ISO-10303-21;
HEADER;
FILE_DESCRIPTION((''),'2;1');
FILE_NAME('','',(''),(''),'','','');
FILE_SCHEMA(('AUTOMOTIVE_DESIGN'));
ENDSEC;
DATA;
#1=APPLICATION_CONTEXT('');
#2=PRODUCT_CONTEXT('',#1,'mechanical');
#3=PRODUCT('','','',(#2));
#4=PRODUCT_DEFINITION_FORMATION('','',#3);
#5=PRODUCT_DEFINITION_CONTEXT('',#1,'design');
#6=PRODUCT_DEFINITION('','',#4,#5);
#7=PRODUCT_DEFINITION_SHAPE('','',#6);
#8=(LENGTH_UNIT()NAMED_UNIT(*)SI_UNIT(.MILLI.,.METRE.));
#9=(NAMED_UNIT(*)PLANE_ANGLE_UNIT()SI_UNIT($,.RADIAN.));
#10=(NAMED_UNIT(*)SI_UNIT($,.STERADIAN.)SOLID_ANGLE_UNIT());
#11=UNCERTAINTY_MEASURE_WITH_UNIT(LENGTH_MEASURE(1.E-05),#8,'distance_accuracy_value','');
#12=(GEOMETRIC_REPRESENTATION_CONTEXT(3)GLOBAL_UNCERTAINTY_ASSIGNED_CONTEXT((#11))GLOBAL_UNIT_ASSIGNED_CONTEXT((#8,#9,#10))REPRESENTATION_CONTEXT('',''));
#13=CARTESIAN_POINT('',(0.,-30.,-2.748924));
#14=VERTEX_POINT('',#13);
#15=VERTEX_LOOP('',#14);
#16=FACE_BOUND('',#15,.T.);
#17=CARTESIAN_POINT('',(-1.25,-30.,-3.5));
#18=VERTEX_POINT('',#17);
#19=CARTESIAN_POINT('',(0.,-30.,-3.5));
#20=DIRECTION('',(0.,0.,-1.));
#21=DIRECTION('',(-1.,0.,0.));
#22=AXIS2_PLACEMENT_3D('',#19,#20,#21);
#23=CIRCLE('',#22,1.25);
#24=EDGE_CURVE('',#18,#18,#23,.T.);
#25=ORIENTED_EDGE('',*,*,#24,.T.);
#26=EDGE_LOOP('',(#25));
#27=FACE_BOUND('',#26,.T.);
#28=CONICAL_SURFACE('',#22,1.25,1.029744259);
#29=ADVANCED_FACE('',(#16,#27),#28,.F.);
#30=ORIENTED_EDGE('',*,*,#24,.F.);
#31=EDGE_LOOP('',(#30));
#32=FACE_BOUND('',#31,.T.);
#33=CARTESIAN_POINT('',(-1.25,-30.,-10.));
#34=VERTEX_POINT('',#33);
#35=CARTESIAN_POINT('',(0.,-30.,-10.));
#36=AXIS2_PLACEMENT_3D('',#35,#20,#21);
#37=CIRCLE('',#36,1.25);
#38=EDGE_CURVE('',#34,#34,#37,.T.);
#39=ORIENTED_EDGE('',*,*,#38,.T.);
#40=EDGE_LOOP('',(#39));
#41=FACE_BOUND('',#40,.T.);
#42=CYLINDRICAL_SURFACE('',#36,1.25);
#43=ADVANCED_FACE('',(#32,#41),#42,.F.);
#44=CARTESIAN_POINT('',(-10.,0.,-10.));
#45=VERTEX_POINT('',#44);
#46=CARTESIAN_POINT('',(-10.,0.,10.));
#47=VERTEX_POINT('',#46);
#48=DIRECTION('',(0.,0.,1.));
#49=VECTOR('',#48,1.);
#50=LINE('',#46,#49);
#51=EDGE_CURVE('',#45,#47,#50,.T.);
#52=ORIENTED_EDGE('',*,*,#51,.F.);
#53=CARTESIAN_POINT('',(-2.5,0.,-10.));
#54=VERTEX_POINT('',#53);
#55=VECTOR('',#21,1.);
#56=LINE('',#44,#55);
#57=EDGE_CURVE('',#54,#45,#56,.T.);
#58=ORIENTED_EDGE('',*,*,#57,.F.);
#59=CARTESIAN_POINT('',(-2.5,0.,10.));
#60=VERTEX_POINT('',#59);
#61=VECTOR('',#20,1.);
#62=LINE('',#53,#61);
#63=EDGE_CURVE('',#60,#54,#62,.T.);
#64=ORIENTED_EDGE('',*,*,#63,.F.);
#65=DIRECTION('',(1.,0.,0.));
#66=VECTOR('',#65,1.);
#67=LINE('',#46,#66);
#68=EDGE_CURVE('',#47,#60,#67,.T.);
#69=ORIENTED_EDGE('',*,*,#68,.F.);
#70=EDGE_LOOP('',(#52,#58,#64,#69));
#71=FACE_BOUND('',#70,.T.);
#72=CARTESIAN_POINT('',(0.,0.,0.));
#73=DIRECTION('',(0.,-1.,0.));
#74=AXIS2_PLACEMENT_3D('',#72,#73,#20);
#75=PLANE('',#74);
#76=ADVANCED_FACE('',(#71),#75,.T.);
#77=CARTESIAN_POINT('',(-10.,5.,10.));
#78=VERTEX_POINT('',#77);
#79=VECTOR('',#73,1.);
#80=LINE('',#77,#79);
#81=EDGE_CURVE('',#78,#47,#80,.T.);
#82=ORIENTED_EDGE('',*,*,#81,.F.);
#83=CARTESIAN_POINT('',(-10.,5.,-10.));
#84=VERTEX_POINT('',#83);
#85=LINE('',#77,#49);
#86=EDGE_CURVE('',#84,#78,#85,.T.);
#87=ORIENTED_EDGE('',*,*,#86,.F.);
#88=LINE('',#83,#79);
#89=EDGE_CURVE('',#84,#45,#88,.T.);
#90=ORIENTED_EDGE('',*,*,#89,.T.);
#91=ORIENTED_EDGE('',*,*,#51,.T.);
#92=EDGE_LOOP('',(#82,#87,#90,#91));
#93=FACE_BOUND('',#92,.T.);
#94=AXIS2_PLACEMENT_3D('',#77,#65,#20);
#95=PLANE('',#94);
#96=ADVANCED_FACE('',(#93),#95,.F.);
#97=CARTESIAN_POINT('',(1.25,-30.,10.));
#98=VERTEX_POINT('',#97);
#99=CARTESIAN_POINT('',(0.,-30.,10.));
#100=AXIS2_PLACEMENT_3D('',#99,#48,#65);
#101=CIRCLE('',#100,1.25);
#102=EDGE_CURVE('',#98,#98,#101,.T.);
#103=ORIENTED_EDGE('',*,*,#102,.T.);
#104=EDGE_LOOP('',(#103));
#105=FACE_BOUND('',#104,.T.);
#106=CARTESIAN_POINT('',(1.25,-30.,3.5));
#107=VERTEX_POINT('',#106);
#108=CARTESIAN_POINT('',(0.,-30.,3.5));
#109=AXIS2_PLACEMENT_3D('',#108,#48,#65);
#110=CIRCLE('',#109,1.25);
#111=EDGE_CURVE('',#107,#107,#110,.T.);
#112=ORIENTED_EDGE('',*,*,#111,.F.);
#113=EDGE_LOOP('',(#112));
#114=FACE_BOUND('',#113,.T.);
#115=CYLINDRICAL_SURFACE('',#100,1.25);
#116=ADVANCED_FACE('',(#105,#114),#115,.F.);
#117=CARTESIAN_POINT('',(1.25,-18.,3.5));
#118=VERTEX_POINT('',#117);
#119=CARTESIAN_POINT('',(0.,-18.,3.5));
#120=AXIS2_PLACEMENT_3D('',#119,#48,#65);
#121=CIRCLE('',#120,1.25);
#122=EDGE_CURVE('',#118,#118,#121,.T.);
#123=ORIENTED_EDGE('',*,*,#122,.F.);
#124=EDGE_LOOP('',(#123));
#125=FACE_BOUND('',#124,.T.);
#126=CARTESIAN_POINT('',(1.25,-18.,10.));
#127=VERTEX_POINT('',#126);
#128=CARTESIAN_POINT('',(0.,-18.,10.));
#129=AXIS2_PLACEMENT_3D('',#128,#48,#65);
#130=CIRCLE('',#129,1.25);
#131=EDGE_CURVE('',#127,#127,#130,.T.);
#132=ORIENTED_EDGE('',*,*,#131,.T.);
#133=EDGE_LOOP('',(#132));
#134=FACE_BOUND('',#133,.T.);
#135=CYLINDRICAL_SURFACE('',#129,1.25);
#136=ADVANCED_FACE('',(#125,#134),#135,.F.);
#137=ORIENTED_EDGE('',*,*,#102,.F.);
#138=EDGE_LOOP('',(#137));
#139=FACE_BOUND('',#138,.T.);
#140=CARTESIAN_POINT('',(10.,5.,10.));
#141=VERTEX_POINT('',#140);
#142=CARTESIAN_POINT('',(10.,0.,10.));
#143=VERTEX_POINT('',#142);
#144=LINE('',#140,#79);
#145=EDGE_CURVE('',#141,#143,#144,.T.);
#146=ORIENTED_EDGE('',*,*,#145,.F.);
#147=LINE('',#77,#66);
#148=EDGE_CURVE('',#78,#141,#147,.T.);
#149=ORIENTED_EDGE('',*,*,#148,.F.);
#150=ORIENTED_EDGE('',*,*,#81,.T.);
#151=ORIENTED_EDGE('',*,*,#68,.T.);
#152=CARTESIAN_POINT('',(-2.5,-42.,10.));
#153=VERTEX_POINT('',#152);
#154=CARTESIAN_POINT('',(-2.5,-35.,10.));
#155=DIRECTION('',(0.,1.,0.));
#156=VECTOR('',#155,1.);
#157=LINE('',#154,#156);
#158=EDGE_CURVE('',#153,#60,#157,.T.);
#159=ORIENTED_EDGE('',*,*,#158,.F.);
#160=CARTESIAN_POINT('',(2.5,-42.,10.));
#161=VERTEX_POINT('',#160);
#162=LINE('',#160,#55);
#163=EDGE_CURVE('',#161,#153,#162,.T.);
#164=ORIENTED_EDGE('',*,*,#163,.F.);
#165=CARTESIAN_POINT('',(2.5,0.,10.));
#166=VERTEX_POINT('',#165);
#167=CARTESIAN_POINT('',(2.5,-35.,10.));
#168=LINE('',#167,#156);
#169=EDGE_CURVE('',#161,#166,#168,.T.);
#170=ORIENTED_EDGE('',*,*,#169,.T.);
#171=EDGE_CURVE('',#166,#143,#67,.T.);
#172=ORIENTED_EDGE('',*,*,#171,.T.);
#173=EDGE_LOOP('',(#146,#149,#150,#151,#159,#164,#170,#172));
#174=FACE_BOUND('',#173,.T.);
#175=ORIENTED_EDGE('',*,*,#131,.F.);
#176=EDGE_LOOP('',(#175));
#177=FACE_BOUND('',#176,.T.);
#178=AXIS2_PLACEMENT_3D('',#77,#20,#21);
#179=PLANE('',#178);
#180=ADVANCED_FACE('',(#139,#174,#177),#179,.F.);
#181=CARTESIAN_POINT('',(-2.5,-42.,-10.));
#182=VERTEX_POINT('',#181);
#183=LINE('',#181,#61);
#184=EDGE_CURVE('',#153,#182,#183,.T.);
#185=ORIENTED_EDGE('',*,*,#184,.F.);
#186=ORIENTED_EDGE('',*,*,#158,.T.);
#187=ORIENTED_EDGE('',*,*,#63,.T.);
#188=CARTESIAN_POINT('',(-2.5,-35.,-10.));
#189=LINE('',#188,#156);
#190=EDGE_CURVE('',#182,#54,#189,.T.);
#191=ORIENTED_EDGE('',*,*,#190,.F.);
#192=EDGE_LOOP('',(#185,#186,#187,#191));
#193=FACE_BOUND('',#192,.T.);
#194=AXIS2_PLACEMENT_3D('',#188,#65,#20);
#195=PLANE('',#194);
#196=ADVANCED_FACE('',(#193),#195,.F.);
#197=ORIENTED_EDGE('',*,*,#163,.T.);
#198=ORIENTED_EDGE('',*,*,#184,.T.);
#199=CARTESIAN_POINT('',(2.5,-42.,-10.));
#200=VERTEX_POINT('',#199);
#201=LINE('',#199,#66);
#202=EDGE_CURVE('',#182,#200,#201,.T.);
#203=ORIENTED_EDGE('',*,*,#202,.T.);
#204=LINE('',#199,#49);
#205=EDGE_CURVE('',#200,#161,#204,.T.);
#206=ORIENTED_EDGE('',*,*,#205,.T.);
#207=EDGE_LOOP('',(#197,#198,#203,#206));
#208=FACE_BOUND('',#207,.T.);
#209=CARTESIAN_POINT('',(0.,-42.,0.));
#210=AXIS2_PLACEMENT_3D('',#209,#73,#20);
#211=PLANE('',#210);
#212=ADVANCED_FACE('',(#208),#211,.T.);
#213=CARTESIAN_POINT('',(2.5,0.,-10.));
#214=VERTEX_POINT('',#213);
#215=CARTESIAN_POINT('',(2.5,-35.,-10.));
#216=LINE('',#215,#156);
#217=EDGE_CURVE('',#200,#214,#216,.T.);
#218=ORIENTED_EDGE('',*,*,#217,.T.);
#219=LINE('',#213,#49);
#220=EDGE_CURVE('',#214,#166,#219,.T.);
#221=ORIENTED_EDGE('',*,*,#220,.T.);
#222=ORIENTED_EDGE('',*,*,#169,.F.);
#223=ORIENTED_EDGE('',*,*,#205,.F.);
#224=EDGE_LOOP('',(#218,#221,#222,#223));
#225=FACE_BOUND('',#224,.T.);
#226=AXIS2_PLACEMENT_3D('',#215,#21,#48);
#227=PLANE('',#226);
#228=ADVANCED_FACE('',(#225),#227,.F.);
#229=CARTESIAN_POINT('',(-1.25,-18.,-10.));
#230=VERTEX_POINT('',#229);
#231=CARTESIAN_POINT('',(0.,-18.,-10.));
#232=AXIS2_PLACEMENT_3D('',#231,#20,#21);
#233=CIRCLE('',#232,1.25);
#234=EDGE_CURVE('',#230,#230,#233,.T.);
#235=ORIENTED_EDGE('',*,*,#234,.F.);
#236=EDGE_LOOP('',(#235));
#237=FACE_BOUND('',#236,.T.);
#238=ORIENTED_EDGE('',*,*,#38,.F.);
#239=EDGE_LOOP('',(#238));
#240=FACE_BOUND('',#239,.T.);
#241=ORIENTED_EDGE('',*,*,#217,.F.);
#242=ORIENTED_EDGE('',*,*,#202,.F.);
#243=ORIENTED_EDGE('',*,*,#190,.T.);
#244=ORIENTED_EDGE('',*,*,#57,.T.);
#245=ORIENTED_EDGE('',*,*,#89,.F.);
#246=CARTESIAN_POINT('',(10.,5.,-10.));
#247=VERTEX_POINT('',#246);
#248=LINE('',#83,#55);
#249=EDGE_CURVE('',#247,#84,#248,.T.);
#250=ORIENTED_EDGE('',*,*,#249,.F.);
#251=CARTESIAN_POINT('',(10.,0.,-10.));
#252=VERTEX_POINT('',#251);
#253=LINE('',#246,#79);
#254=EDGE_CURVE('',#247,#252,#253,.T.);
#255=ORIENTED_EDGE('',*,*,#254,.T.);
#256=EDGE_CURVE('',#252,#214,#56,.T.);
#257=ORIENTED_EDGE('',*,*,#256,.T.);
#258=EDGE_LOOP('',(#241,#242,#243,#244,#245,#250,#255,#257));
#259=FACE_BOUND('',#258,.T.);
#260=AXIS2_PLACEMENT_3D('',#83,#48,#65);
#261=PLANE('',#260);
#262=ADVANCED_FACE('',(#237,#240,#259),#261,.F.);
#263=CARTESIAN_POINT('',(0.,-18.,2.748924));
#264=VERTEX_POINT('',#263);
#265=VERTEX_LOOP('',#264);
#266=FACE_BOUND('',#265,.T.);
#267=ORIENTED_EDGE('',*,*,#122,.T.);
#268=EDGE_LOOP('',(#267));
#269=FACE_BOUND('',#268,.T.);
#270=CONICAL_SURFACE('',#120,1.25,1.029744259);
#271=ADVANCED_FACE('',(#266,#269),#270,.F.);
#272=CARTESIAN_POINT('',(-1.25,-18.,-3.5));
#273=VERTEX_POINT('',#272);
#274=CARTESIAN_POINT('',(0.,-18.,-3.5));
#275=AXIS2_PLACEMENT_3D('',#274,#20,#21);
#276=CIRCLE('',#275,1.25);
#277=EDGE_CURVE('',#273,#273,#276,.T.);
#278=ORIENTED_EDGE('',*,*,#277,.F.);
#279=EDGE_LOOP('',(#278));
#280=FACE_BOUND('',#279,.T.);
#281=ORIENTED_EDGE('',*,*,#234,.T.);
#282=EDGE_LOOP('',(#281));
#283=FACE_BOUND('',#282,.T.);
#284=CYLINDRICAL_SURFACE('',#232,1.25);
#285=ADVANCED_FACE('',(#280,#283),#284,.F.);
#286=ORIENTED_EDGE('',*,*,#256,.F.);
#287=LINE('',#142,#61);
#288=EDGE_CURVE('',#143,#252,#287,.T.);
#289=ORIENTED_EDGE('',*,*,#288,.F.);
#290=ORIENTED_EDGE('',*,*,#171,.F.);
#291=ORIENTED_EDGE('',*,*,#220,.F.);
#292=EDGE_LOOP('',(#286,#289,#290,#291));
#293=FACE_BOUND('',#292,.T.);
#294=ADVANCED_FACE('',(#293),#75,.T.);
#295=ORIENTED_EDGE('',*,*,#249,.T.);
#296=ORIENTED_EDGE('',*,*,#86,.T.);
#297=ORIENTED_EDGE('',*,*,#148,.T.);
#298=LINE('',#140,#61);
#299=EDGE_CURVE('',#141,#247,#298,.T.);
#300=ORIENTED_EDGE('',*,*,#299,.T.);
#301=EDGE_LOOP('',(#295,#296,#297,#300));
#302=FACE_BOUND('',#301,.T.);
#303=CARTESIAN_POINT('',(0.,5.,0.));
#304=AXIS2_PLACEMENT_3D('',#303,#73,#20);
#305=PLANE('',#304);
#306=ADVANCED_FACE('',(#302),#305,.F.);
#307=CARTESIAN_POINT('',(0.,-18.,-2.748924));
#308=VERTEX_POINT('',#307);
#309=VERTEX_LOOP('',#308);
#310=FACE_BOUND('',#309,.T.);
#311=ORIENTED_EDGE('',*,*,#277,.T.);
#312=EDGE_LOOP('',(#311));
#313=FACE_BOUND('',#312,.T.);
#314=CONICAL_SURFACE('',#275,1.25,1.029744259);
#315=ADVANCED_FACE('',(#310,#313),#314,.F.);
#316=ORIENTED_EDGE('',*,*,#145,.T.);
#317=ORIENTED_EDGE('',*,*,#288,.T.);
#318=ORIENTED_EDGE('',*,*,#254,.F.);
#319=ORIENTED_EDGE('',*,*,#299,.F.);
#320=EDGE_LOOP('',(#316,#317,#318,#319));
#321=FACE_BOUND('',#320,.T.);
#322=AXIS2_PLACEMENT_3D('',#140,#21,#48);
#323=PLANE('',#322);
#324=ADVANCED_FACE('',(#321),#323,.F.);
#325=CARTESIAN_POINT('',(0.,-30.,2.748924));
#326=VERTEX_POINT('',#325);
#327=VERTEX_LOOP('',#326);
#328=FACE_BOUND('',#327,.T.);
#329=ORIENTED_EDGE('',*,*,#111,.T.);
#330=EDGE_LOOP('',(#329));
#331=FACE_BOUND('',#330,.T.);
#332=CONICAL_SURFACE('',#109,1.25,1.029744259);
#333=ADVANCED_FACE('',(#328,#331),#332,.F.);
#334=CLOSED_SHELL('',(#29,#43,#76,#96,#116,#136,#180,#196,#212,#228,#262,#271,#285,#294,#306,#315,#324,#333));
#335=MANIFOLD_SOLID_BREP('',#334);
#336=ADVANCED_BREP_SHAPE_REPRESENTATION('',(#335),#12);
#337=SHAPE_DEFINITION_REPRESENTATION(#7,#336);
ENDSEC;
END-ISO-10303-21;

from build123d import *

# Parameters (mm, degrees)
SKETCH_1_W                  = 20
SKETCH_1_H                  = 20
EXTRUDE_1_DEPTH             = 5
SKETCH_2_W                  = 5
SKETCH_2_H                  = 20
EXTRUDE_2_DEPTH             = 35
HOLE_WIZARD_M3_1_AT_2_COUNT = 2
HOLE_WIZARD_M3_1_AT_2_PITCH = 12
SKETCH_5_W                  = 5
SKETCH_5_H                  = 20
EXTRUDE_3_DEPTH             = 7


with BuildPart() as part:
    # 草圖1 → 填料-伸長1 (new body)
    with BuildSketch(Plane(origin=(0, 0, 0), x_dir=(1, 0, 0), z_dir=(0, 1, 0))):
        Rectangle(SKETCH_1_W, SKETCH_1_H)
    extrude(amount=EXTRUDE_1_DEPTH)

    # 草圖2 → 填料-伸長2 (add)
    with BuildSketch(Plane.XZ):
        Rectangle(SKETCH_2_W, SKETCH_2_H)
    extrude(amount=EXTRUDE_2_DEPTH)

    # 草圖4 → M3 螺紋孔1 (revolve, cut)
    with BuildSketch(Plane(origin=(0, -18, 10), x_dir=(0, -1, 0), z_dir=(1, 0, 0))):
        Polygon((0, 0), (0, 7.251075774), (1.25, 6.5), (1.25, 0), align=None)
    hole_wizard_m3_1 = revolve(axis=Axis((0, -18, 16.35), (0, 0, -1)), mode=Mode.SUBTRACT)

    # M3 螺紋孔1 at 2: M3 螺紋孔1 ×2
    with Locations(*[(0, -i * HOLE_WIZARD_M3_1_AT_2_PITCH, 0) for i in range(1, HOLE_WIZARD_M3_1_AT_2_COUNT)]):
        add(hole_wizard_m3_1, mode=Mode.SUBTRACT)

    # 鏡射1: M3 螺紋孔1 across plane
    add(hole_wizard_m3_1.mirror(Plane.XY), mode=Mode.SUBTRACT)

    # 鏡射1 copy 1 sketch → 鏡射1 copy 1 (revolve, cut)
    with BuildSketch(Plane(origin=(0, -30, -10), x_dir=(0, -1, 0), z_dir=(1, 0, 0))):
        Polygon((0, 0), (0, -7.251075774), (1.25, -6.5), (1.25, 0), align=None)
    revolve(axis=Axis((0, -30, -16.35), (0, 0, -1)), mode=Mode.SUBTRACT)

    # 草圖5 → 填料-伸長3 (add)
    with BuildSketch(Plane.XZ.offset(35)):
        Rectangle(SKETCH_5_W, SKETCH_5_H)
    extrude(amount=EXTRUDE_3_DEPTH)


solid = part.part
